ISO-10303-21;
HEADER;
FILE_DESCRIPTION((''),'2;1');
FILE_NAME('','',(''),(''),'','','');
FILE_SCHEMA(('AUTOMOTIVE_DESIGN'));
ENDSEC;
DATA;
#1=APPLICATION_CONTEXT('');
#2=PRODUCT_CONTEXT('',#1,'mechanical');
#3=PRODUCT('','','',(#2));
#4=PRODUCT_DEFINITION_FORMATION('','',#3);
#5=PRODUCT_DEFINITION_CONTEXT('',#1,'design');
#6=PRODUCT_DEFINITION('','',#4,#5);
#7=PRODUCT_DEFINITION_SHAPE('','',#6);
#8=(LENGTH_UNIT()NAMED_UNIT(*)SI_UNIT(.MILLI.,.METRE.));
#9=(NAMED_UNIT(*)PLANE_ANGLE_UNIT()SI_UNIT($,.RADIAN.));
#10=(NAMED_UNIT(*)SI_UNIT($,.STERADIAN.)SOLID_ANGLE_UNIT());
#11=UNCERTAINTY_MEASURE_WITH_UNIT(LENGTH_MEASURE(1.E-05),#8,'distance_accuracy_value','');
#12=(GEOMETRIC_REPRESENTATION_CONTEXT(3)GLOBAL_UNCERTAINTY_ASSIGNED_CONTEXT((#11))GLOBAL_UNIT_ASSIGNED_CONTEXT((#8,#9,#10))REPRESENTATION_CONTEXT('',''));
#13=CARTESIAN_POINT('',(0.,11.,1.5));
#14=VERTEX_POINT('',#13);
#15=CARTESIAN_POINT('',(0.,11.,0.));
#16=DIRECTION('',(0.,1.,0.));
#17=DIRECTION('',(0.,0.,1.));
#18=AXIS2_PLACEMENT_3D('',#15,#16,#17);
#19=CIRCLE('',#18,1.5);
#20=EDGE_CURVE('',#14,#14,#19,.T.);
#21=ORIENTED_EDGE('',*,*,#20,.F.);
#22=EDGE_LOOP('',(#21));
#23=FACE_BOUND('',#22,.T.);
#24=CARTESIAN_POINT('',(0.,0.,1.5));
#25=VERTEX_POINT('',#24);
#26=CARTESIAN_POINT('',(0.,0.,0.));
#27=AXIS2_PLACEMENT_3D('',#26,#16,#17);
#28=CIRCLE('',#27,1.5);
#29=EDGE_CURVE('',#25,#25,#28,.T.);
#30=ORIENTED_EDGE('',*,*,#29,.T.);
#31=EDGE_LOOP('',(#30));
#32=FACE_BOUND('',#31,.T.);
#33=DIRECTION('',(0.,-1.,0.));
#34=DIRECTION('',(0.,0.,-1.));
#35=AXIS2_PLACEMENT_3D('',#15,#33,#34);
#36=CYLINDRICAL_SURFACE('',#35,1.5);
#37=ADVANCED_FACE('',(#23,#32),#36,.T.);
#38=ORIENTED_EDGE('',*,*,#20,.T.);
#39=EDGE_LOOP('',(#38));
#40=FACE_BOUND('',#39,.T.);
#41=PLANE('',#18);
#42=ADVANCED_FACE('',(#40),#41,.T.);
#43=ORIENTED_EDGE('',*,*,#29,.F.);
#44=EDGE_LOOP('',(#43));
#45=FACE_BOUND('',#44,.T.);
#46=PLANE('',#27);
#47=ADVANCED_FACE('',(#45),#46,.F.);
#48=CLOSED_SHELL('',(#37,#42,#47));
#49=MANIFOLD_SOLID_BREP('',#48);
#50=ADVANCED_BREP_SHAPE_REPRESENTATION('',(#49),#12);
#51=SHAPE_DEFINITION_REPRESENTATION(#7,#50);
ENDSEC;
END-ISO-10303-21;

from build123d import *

# Parameters (mm, degrees)
SKETCH1_R           = 1.5
BOSS_EXTRUDE1_DEPTH = 11


with BuildPart() as part:
    # Sketch1 → Boss-Extrude1 (new body)
    with BuildSketch(Plane(origin=(0, 0, 0), x_dir=(1, 0, 0), z_dir=(0, 1, 0))):
        Circle(SKETCH1_R)
    extrude(amount=BOSS_EXTRUDE1_DEPTH)


solid = part.part
